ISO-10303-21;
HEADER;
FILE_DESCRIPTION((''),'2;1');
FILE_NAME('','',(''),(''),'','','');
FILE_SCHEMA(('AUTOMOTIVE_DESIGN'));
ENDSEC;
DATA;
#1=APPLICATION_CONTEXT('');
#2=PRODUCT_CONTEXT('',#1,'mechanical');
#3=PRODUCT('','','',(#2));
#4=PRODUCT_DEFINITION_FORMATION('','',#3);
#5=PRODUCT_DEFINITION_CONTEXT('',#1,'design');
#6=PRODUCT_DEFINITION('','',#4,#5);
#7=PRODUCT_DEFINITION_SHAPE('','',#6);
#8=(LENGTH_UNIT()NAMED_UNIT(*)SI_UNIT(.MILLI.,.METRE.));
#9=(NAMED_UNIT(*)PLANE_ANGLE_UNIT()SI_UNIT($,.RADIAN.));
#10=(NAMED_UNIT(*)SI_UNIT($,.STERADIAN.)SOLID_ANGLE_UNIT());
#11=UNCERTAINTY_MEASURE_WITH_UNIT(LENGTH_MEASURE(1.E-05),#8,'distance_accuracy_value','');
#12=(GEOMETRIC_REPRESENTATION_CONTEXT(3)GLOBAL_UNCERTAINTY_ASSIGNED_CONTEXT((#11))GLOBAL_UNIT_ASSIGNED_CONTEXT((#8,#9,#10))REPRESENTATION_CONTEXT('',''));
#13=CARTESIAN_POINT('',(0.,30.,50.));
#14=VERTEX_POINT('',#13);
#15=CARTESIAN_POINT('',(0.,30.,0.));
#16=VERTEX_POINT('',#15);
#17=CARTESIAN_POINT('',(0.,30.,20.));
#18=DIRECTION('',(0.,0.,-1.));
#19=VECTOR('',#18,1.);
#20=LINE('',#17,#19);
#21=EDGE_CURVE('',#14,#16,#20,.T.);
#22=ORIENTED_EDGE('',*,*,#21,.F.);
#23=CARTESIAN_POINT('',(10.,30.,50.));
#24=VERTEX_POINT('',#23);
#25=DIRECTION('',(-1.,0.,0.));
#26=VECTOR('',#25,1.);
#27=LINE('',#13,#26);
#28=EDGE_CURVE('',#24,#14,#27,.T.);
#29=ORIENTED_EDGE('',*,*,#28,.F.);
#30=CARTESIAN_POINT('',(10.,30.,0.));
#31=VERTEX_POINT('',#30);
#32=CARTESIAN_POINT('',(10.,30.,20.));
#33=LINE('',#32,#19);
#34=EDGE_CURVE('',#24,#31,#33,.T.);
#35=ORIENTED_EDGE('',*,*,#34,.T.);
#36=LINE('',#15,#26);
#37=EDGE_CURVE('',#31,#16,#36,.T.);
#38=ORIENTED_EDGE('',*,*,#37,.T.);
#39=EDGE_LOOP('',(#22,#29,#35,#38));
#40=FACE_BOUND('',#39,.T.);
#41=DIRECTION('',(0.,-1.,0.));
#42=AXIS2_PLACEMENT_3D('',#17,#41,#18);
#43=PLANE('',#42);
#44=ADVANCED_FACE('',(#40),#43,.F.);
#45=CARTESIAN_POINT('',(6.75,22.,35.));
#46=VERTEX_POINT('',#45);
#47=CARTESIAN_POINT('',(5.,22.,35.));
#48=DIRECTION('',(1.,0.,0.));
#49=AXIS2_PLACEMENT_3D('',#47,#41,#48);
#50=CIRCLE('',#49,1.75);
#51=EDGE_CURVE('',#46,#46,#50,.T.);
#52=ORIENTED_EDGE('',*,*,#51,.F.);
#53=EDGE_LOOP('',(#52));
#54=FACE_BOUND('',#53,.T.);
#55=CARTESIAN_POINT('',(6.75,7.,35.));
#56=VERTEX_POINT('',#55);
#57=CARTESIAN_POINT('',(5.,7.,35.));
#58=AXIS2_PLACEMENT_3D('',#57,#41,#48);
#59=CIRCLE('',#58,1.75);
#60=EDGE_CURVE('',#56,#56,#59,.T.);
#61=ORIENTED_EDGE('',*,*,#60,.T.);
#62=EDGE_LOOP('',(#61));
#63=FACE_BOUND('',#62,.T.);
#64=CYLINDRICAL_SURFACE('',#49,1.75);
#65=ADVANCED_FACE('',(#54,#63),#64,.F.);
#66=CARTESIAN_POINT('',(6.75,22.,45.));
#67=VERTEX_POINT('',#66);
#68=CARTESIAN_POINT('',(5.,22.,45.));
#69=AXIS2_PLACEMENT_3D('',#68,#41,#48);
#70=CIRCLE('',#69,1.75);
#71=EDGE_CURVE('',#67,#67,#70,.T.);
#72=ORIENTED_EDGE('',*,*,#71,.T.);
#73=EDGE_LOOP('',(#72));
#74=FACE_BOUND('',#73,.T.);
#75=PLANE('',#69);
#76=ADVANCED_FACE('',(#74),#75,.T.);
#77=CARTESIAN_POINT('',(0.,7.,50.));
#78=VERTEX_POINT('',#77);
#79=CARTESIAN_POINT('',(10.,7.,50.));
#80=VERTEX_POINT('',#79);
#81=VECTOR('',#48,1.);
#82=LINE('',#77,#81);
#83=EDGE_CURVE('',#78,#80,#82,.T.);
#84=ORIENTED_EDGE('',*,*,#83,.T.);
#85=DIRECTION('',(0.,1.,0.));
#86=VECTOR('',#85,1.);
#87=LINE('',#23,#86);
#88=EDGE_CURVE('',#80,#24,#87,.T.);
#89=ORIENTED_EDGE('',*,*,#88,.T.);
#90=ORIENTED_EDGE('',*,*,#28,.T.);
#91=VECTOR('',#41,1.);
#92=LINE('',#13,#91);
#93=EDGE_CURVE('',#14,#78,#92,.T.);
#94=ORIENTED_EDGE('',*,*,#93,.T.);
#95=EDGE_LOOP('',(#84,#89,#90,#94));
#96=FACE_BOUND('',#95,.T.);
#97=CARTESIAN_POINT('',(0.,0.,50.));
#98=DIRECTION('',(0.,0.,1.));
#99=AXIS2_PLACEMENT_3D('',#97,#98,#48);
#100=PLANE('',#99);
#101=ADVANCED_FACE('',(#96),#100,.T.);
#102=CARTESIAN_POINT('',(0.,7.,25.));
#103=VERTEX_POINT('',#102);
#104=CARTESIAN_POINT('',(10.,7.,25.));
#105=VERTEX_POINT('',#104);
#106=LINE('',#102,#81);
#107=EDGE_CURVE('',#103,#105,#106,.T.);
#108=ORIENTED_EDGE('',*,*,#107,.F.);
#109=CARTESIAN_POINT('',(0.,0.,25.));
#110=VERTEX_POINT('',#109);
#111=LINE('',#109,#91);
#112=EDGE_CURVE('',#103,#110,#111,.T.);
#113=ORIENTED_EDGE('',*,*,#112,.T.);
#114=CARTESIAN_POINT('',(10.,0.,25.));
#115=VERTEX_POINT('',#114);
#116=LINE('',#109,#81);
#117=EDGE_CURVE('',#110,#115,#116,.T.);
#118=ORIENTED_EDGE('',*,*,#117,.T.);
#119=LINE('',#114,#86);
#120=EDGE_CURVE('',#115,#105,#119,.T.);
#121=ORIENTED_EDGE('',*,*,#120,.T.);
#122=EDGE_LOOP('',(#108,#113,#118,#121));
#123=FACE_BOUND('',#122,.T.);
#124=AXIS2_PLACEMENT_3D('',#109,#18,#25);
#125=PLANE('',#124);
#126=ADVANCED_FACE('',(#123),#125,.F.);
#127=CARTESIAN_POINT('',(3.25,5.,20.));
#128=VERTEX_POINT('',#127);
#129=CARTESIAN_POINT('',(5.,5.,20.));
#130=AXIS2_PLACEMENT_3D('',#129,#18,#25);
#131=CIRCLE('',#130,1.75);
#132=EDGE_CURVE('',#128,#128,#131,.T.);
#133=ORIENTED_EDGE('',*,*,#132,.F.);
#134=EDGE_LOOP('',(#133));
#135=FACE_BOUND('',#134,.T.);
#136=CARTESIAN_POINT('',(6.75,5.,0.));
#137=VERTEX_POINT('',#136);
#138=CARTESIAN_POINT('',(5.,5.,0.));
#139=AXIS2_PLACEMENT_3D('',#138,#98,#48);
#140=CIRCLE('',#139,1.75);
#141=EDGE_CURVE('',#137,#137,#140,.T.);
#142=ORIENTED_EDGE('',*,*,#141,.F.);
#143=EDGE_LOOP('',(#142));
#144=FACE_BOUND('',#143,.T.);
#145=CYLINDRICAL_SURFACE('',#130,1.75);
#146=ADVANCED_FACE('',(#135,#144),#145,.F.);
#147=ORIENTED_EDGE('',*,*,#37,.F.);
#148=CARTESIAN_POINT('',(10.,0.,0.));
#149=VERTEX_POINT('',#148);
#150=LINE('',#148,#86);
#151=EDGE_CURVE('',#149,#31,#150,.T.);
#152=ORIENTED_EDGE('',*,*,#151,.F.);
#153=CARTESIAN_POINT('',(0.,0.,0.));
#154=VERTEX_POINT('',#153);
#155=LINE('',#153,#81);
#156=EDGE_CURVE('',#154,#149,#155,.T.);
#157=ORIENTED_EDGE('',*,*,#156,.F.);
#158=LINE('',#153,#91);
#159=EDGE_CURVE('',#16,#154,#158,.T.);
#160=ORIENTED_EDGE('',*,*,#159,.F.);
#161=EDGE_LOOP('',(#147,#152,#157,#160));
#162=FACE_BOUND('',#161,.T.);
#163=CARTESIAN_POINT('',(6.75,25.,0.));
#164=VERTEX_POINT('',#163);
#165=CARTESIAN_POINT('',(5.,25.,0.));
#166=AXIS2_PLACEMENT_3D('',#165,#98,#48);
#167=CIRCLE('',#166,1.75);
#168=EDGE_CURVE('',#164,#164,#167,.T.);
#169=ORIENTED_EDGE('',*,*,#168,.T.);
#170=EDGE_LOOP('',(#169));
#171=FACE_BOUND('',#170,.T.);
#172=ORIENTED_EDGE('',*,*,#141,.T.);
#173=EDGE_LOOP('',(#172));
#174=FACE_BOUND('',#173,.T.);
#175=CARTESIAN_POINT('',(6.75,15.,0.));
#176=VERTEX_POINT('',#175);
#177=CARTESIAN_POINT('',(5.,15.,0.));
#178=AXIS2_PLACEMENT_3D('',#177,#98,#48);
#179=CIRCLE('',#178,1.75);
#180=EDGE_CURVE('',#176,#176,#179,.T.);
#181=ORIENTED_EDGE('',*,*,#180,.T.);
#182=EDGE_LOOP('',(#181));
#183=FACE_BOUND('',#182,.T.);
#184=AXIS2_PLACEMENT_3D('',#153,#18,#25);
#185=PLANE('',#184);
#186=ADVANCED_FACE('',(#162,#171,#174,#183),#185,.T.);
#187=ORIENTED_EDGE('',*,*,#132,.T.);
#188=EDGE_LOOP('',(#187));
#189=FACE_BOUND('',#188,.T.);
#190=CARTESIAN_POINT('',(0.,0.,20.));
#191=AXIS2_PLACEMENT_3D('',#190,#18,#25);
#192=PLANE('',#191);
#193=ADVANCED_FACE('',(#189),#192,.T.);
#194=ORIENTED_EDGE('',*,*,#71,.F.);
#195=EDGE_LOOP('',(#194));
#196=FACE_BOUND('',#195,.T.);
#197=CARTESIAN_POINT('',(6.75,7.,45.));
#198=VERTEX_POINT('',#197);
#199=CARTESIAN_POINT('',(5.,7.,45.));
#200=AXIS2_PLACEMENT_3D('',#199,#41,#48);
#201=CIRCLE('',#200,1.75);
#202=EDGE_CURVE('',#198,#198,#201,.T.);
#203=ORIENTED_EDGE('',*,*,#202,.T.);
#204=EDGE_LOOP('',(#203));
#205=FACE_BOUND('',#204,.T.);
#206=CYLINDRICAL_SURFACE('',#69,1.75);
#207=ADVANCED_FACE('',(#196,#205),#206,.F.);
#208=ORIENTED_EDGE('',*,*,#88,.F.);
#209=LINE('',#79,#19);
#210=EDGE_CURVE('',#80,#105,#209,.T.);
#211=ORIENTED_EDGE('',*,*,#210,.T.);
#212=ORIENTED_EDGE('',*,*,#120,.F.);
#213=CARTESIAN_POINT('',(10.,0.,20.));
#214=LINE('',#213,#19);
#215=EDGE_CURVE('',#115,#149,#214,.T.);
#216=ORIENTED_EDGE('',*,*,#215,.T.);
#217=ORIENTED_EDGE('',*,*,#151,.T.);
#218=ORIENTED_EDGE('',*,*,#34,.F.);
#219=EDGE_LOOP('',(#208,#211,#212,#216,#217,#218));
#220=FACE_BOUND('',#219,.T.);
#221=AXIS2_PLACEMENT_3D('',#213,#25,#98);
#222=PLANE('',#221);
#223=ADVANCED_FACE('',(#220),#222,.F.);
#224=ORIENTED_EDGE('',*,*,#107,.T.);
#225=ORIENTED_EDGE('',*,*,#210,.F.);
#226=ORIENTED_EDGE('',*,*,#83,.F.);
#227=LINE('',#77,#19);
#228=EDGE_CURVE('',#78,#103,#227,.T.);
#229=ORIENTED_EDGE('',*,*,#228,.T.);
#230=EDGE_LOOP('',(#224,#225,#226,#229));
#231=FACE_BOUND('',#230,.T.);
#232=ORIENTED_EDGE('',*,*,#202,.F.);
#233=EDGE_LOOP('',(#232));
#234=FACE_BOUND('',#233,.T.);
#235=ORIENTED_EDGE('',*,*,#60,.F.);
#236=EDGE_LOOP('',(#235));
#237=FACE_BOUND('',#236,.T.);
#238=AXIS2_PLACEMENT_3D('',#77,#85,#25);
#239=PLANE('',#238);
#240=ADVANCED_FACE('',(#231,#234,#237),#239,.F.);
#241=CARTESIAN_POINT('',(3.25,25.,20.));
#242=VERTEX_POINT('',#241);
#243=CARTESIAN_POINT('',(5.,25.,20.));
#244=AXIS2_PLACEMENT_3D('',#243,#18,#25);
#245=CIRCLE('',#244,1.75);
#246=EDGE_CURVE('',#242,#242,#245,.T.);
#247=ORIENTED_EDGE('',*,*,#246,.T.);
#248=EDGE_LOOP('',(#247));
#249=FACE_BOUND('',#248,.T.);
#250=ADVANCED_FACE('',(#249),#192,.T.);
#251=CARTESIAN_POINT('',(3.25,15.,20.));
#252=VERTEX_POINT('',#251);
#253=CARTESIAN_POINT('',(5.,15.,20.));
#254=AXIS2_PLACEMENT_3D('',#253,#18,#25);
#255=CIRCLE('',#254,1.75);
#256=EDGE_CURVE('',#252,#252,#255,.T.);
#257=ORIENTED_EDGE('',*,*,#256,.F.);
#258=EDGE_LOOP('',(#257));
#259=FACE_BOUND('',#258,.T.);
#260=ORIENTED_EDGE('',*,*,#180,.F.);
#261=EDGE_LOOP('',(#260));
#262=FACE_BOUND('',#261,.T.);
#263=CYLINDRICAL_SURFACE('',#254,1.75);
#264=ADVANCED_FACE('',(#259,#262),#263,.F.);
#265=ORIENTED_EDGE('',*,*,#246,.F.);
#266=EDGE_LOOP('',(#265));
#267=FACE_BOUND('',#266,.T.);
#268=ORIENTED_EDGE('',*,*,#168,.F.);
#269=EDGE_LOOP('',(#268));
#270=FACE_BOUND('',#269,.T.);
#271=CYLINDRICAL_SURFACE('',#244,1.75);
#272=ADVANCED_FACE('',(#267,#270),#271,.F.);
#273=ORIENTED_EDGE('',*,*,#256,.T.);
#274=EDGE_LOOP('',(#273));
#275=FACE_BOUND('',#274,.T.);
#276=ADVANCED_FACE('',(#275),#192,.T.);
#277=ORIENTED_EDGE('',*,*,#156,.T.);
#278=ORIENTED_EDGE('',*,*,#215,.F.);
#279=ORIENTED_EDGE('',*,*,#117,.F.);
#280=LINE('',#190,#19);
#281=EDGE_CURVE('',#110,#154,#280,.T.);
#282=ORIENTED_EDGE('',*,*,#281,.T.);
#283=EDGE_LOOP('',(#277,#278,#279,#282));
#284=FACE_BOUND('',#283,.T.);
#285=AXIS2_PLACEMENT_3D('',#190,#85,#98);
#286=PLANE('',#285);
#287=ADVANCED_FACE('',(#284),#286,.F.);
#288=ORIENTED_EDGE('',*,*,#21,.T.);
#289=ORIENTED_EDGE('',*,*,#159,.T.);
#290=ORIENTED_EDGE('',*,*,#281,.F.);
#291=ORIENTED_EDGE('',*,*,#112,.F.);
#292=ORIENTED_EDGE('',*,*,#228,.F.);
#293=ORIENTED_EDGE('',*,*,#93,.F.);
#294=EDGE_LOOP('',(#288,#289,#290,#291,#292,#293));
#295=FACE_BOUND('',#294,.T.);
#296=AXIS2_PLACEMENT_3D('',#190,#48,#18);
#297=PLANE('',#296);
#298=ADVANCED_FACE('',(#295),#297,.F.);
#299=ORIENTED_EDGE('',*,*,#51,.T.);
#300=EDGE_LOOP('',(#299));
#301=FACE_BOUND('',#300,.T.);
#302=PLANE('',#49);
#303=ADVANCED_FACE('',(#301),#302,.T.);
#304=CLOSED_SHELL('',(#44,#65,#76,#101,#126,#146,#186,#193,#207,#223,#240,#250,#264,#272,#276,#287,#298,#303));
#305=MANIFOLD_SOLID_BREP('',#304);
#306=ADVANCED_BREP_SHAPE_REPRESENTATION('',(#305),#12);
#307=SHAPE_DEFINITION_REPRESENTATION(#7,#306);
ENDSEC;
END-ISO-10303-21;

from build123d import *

# Parameters (mm, degrees)
ESQUISSE1_W             = 10
ESQUISSE1_H             = 30
ESQUISSE1_R             = 1.75
BOSS_EXTRU_1_DEPTH      = 20
ESQUISSE2_W             = 10
ESQUISSE2_H             = 30
BOSS_EXTRU_2_DEPTH      = 5
ESQUISSE3_W             = 10
ESQUISSE3_H             = 23
BOSS_EXTRU_3_DEPTH      = 25
ESQUISSE4_R             = 1.75
ENL_V_MAT_EXTRU_1_DEPTH = 15


with BuildPart() as part:
    # Esquisse1 → Boss.-Extru.1 (new body)
    with BuildSketch(Plane.XY):
        with Locations((5, 15)):
            Rectangle(ESQUISSE1_W, ESQUISSE1_H)
        with Locations((5, 5)):
            Circle(ESQUISSE1_R, mode=Mode.SUBTRACT)
        with Locations((5, 15)):
            Circle(ESQUISSE1_R, mode=Mode.SUBTRACT)
        with Locations((5, 25)):
            Circle(ESQUISSE1_R, mode=Mode.SUBTRACT)
    extrude(amount=BOSS_EXTRU_1_DEPTH)

    # Esquisse2 → Boss.-Extru.2 (add)
    with BuildSketch(Plane.XY.offset(20)):
        with Locations((5, 15)):
            Rectangle(ESQUISSE2_W, ESQUISSE2_H)
    extrude(amount=BOSS_EXTRU_2_DEPTH)

    # Esquisse3 → Boss.-Extru.3 (add)
    with BuildSketch(Plane.XY.offset(25)):
        with Locations((5, 18.5)):
            Rectangle(ESQUISSE3_W, ESQUISSE3_H)
    extrude(amount=BOSS_EXTRU_3_DEPTH)

    # Esquisse4 → Enlèv. mat.-Extru.1 (cut)
    with BuildSketch(Plane(origin=(0, 7, 0), x_dir=(-1, 0, 0), z_dir=(0, -1, 0))):
        with Locations(Location((-5, -45, 0), (0, 0, 180))):
            Circle(ESQUISSE4_R)
        with Locations(Location((-5, -35, 0), (0, 0, 180))):
            Circle(ESQUISSE4_R)
    extrude(amount=-ENL_V_MAT_EXTRU_1_DEPTH, mode=Mode.SUBTRACT)


solid = part.part
